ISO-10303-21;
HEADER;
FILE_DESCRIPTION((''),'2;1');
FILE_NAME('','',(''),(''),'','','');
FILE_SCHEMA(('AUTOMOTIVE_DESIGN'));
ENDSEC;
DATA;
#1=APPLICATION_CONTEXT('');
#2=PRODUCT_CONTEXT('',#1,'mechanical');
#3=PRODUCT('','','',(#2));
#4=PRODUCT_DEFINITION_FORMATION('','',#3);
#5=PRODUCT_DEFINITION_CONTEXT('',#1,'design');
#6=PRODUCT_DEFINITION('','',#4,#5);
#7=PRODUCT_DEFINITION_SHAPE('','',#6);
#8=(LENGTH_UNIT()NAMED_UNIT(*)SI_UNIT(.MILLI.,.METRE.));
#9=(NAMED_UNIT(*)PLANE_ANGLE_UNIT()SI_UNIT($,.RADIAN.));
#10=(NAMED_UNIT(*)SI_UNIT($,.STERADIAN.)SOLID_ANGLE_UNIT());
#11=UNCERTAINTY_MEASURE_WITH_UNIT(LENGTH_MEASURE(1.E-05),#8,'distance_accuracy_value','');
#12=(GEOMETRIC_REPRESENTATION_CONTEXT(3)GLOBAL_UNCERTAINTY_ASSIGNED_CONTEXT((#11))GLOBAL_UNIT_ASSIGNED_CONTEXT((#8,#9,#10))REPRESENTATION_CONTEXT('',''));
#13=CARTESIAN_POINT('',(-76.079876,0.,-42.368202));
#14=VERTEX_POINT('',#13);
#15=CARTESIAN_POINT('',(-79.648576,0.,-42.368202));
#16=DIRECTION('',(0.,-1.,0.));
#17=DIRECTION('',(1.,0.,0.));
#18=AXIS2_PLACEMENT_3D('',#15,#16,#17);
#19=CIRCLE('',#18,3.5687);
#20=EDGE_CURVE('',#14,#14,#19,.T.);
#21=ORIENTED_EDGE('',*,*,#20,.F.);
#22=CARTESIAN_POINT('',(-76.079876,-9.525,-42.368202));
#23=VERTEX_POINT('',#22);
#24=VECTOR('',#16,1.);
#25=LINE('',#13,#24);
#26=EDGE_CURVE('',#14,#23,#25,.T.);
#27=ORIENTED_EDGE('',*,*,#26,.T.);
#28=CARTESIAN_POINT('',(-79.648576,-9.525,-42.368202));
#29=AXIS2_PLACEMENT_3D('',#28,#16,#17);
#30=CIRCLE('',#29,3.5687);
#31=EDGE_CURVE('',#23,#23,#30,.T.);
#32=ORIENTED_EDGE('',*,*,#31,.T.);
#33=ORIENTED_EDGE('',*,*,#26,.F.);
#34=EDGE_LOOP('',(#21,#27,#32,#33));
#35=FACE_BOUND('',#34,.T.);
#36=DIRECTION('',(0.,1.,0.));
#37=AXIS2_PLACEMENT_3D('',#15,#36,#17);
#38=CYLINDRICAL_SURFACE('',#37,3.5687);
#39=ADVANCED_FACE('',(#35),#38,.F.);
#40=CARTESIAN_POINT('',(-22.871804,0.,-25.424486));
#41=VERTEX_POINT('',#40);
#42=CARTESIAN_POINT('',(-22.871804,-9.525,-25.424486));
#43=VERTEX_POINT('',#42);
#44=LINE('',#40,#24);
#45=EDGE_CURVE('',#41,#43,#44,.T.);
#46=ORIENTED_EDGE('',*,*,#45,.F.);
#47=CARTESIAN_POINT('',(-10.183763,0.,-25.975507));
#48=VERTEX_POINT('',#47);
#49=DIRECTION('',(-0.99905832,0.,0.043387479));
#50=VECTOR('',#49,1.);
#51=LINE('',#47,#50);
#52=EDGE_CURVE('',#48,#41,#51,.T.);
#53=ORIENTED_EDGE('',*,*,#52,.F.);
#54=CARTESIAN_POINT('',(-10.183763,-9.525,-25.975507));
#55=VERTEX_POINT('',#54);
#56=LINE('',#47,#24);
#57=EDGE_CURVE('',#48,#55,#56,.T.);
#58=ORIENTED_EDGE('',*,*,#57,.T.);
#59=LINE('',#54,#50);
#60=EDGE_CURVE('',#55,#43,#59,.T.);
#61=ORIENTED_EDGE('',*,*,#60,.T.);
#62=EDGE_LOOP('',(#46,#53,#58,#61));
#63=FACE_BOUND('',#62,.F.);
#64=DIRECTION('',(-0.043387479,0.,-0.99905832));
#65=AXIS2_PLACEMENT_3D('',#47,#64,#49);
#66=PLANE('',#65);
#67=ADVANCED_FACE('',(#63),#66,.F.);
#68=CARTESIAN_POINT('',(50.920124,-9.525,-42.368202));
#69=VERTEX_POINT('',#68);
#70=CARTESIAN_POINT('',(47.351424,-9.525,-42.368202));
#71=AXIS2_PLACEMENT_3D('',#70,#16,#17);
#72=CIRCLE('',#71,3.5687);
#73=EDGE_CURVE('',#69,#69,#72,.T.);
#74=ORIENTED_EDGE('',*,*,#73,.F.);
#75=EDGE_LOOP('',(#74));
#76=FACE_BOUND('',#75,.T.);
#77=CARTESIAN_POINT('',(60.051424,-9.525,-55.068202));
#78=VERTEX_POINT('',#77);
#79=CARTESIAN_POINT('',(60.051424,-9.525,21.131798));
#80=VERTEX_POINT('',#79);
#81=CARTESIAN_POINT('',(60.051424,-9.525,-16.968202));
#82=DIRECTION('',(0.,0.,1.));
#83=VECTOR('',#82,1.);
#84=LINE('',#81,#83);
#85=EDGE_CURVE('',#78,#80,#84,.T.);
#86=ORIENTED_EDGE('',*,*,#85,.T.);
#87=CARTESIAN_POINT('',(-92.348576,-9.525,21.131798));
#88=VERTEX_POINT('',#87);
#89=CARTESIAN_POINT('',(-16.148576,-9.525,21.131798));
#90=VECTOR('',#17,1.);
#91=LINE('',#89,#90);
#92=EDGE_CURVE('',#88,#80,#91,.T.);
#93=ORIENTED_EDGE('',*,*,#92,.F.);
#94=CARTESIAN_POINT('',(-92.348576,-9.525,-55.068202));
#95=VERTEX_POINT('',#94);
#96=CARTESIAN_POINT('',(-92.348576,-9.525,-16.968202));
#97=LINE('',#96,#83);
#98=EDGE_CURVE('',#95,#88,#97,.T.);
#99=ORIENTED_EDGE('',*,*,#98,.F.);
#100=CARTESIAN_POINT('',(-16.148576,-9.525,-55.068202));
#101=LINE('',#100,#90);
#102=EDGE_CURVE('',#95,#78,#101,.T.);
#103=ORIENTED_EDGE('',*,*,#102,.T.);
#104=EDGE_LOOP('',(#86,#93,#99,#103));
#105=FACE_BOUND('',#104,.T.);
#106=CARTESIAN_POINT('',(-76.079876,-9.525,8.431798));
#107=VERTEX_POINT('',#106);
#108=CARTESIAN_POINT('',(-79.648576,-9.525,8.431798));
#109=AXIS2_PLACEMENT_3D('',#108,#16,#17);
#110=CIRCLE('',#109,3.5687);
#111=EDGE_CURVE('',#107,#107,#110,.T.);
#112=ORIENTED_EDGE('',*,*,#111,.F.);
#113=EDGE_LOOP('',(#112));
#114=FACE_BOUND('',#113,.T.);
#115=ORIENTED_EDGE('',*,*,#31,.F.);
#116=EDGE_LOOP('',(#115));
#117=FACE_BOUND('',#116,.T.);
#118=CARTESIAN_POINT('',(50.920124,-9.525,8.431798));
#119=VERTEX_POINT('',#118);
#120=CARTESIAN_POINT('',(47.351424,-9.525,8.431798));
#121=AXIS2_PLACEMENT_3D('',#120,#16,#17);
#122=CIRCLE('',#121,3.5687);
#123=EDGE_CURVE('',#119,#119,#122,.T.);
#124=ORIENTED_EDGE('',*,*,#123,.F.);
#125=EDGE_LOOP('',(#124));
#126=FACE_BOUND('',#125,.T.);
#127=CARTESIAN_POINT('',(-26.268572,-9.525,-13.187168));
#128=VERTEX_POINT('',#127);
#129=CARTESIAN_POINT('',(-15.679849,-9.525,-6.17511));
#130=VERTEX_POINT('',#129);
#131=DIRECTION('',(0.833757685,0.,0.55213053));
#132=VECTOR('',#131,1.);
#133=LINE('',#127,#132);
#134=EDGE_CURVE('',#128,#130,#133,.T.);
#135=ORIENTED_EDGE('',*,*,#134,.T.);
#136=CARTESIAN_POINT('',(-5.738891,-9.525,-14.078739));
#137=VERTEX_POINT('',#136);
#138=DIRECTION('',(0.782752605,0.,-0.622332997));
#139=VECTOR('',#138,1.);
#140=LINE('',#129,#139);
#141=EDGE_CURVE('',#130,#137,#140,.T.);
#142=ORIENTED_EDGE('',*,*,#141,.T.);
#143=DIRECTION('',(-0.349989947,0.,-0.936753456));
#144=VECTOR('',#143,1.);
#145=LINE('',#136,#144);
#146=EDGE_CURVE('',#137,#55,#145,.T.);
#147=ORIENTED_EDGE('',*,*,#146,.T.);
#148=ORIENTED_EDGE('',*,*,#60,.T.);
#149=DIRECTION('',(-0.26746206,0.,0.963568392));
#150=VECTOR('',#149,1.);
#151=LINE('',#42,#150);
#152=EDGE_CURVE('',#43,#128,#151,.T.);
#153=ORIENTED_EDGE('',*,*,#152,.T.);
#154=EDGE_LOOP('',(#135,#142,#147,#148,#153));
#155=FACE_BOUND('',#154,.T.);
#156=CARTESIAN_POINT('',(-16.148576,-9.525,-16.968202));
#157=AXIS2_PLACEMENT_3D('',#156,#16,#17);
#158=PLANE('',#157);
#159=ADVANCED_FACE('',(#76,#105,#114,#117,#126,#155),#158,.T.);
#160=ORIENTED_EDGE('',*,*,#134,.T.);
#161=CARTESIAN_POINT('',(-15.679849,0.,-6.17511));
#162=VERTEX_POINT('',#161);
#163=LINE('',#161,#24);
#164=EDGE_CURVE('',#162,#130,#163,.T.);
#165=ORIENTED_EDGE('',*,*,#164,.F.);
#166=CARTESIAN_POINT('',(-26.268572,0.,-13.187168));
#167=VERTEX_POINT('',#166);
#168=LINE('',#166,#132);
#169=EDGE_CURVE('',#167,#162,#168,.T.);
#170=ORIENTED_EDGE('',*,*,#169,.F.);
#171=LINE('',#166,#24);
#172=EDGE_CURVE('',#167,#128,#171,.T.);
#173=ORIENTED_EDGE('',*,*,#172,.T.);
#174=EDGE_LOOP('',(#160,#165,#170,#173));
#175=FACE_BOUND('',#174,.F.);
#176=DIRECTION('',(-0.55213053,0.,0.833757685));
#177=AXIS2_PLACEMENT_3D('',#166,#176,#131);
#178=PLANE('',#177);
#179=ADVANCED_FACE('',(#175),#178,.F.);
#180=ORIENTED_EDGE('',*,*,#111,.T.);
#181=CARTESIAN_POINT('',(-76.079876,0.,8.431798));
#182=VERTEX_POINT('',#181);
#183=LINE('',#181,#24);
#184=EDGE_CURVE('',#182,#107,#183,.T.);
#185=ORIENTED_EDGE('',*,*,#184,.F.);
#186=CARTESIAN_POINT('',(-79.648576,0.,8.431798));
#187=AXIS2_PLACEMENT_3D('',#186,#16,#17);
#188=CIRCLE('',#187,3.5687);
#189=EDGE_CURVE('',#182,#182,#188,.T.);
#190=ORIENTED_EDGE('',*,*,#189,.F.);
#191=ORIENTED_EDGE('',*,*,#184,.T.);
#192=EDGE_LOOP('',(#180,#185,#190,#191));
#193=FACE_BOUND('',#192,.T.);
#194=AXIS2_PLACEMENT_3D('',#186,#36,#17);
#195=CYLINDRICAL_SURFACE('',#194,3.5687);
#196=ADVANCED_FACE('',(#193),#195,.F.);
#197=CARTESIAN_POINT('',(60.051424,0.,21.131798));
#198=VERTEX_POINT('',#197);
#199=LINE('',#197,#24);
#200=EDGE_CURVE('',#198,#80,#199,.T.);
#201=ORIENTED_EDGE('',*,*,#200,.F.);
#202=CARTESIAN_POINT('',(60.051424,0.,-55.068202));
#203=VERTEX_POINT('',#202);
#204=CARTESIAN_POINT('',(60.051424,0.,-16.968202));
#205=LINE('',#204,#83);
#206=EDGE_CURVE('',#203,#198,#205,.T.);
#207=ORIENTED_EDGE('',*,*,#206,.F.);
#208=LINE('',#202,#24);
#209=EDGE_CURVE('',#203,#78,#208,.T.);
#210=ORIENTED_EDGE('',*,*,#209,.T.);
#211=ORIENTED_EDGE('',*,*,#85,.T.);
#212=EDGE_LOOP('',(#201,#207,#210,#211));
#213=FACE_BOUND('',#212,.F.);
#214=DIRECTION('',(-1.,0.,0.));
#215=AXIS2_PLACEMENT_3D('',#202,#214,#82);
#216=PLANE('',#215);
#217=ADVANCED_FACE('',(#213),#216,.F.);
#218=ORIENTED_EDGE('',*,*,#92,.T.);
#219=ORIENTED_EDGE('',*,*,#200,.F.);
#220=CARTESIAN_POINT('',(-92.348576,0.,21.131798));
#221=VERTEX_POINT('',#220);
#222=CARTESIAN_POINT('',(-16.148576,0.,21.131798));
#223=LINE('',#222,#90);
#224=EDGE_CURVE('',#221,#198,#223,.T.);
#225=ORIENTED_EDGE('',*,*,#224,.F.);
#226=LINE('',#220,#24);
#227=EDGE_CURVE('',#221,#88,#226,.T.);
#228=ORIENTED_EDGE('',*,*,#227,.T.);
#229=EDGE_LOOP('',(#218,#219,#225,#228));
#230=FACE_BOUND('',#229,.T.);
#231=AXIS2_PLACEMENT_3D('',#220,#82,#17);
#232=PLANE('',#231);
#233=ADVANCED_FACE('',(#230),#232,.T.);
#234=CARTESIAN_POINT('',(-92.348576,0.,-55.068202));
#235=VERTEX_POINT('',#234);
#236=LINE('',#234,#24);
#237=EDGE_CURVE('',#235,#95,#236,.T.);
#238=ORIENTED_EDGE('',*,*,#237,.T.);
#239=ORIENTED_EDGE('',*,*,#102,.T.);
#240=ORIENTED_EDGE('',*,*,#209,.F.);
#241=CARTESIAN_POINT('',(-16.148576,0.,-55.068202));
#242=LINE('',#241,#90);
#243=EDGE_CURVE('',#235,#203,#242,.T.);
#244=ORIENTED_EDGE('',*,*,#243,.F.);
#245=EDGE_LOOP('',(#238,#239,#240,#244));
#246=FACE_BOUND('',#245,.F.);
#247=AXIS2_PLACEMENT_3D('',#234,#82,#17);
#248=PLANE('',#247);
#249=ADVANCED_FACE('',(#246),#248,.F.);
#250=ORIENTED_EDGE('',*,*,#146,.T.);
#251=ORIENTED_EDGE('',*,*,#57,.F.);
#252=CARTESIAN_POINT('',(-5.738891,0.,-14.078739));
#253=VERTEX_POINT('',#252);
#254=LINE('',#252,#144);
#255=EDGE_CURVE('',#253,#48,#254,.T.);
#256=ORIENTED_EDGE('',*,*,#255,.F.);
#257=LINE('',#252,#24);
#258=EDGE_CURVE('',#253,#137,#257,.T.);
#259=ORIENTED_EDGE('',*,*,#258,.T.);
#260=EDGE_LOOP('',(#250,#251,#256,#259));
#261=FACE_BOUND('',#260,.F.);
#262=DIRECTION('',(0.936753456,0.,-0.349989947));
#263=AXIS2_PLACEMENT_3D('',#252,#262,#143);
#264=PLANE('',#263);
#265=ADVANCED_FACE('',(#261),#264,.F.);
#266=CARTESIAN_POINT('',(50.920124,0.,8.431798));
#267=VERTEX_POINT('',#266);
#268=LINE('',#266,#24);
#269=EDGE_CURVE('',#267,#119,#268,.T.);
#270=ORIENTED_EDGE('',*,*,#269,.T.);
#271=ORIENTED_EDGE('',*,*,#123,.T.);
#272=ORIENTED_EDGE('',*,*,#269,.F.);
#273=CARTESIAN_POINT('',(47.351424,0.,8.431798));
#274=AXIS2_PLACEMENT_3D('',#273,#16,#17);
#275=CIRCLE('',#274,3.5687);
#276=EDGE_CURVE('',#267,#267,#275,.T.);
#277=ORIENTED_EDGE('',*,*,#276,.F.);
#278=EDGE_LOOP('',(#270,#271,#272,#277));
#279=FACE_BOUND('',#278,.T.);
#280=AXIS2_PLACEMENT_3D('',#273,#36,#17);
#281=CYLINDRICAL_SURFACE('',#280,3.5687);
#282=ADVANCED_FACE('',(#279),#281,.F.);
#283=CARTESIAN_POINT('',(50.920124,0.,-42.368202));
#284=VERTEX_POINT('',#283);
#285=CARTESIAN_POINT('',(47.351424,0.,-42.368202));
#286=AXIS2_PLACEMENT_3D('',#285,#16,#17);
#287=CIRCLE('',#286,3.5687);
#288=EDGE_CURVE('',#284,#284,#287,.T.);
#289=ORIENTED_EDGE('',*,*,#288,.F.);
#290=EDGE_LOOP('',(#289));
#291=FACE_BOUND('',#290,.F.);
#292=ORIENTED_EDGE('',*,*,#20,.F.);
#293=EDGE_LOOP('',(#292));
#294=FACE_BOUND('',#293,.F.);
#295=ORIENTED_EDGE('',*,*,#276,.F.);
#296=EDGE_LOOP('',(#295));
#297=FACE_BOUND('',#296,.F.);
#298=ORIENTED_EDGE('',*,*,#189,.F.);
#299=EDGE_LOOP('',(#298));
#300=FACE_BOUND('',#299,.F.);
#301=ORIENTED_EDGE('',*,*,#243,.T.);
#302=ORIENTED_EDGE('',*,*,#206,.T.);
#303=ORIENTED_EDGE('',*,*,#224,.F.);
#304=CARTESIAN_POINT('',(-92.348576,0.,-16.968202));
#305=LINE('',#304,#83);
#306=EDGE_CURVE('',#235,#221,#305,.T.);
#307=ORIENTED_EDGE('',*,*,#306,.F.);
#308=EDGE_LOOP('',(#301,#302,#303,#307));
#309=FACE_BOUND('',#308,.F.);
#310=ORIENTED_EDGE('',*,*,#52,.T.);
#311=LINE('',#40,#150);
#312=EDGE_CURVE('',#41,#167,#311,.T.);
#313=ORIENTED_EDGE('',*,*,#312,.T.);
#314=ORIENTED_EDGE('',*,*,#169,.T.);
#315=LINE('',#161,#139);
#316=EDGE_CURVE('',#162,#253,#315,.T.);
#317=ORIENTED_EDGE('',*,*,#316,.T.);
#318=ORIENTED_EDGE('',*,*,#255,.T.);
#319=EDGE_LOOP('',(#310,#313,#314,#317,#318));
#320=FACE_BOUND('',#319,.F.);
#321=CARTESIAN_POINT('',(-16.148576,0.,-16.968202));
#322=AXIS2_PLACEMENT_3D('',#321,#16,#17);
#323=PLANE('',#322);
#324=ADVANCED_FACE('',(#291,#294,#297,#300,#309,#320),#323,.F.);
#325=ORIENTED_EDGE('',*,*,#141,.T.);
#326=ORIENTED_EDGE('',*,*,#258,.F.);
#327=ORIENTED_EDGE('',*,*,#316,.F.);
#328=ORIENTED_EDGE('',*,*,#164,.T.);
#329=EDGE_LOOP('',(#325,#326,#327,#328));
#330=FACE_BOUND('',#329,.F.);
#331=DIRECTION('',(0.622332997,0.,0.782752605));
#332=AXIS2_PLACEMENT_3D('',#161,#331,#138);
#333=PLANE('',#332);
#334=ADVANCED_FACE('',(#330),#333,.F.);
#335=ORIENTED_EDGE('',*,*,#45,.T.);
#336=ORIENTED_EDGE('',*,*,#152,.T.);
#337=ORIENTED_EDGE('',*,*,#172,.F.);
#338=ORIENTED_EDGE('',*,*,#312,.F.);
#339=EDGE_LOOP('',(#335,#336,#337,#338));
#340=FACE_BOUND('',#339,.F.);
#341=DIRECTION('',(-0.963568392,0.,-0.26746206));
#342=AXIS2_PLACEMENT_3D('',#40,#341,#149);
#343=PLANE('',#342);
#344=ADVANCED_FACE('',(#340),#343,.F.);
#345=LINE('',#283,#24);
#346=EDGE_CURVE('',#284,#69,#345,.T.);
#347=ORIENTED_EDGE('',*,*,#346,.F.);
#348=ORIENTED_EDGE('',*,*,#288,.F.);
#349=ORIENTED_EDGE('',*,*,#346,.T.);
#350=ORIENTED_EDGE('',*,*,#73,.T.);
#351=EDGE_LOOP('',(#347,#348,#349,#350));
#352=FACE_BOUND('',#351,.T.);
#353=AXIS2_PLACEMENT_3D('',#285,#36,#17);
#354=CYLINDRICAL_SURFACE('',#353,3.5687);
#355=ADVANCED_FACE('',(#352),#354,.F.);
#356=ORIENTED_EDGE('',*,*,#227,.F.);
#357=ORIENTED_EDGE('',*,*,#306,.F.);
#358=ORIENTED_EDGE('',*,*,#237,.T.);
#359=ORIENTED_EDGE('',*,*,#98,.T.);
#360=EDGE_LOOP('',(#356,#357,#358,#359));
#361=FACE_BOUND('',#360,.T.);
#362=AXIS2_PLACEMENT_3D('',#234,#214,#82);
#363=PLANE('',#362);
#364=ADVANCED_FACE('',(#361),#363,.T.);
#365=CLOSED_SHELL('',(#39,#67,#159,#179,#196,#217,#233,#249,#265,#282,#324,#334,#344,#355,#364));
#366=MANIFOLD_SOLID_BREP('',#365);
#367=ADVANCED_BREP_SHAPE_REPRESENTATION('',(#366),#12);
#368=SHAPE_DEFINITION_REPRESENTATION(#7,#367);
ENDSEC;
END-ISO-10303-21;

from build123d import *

# Parameters (mm, degrees)
F0_W     = 152.4
F0_H     = 76.2
F0_R     = 3.5687
F1_DEPTH = 9.525


with BuildPart() as f1:
    # F0 (on Front) → F1 (new body)
    with BuildSketch(Plane.XZ):
        with Locations((-16.148576, -16.968202)):
            Rectangle(F0_W, F0_H)
        with Locations((-79.648576, -42.368202)):
            Circle(F0_R, mode=Mode.SUBTRACT)
        with Locations((47.351424, -42.368202)):
            Circle(F0_R, mode=Mode.SUBTRACT)
        with Locations((-79.648576, 8.431798)):
            Circle(F0_R, mode=Mode.SUBTRACT)
        Polygon((-26.268572, -13.187168), (-15.679849, -6.17511), (-5.738891, -14.078739), (-10.183763, -25.975507), (-22.871804, -25.424486), align=None, mode=Mode.SUBTRACT)
        with Locations((47.351424, 8.431798)):
            Circle(F0_R, mode=Mode.SUBTRACT)
    extrude(amount=F1_DEPTH)


solid = f1.part
